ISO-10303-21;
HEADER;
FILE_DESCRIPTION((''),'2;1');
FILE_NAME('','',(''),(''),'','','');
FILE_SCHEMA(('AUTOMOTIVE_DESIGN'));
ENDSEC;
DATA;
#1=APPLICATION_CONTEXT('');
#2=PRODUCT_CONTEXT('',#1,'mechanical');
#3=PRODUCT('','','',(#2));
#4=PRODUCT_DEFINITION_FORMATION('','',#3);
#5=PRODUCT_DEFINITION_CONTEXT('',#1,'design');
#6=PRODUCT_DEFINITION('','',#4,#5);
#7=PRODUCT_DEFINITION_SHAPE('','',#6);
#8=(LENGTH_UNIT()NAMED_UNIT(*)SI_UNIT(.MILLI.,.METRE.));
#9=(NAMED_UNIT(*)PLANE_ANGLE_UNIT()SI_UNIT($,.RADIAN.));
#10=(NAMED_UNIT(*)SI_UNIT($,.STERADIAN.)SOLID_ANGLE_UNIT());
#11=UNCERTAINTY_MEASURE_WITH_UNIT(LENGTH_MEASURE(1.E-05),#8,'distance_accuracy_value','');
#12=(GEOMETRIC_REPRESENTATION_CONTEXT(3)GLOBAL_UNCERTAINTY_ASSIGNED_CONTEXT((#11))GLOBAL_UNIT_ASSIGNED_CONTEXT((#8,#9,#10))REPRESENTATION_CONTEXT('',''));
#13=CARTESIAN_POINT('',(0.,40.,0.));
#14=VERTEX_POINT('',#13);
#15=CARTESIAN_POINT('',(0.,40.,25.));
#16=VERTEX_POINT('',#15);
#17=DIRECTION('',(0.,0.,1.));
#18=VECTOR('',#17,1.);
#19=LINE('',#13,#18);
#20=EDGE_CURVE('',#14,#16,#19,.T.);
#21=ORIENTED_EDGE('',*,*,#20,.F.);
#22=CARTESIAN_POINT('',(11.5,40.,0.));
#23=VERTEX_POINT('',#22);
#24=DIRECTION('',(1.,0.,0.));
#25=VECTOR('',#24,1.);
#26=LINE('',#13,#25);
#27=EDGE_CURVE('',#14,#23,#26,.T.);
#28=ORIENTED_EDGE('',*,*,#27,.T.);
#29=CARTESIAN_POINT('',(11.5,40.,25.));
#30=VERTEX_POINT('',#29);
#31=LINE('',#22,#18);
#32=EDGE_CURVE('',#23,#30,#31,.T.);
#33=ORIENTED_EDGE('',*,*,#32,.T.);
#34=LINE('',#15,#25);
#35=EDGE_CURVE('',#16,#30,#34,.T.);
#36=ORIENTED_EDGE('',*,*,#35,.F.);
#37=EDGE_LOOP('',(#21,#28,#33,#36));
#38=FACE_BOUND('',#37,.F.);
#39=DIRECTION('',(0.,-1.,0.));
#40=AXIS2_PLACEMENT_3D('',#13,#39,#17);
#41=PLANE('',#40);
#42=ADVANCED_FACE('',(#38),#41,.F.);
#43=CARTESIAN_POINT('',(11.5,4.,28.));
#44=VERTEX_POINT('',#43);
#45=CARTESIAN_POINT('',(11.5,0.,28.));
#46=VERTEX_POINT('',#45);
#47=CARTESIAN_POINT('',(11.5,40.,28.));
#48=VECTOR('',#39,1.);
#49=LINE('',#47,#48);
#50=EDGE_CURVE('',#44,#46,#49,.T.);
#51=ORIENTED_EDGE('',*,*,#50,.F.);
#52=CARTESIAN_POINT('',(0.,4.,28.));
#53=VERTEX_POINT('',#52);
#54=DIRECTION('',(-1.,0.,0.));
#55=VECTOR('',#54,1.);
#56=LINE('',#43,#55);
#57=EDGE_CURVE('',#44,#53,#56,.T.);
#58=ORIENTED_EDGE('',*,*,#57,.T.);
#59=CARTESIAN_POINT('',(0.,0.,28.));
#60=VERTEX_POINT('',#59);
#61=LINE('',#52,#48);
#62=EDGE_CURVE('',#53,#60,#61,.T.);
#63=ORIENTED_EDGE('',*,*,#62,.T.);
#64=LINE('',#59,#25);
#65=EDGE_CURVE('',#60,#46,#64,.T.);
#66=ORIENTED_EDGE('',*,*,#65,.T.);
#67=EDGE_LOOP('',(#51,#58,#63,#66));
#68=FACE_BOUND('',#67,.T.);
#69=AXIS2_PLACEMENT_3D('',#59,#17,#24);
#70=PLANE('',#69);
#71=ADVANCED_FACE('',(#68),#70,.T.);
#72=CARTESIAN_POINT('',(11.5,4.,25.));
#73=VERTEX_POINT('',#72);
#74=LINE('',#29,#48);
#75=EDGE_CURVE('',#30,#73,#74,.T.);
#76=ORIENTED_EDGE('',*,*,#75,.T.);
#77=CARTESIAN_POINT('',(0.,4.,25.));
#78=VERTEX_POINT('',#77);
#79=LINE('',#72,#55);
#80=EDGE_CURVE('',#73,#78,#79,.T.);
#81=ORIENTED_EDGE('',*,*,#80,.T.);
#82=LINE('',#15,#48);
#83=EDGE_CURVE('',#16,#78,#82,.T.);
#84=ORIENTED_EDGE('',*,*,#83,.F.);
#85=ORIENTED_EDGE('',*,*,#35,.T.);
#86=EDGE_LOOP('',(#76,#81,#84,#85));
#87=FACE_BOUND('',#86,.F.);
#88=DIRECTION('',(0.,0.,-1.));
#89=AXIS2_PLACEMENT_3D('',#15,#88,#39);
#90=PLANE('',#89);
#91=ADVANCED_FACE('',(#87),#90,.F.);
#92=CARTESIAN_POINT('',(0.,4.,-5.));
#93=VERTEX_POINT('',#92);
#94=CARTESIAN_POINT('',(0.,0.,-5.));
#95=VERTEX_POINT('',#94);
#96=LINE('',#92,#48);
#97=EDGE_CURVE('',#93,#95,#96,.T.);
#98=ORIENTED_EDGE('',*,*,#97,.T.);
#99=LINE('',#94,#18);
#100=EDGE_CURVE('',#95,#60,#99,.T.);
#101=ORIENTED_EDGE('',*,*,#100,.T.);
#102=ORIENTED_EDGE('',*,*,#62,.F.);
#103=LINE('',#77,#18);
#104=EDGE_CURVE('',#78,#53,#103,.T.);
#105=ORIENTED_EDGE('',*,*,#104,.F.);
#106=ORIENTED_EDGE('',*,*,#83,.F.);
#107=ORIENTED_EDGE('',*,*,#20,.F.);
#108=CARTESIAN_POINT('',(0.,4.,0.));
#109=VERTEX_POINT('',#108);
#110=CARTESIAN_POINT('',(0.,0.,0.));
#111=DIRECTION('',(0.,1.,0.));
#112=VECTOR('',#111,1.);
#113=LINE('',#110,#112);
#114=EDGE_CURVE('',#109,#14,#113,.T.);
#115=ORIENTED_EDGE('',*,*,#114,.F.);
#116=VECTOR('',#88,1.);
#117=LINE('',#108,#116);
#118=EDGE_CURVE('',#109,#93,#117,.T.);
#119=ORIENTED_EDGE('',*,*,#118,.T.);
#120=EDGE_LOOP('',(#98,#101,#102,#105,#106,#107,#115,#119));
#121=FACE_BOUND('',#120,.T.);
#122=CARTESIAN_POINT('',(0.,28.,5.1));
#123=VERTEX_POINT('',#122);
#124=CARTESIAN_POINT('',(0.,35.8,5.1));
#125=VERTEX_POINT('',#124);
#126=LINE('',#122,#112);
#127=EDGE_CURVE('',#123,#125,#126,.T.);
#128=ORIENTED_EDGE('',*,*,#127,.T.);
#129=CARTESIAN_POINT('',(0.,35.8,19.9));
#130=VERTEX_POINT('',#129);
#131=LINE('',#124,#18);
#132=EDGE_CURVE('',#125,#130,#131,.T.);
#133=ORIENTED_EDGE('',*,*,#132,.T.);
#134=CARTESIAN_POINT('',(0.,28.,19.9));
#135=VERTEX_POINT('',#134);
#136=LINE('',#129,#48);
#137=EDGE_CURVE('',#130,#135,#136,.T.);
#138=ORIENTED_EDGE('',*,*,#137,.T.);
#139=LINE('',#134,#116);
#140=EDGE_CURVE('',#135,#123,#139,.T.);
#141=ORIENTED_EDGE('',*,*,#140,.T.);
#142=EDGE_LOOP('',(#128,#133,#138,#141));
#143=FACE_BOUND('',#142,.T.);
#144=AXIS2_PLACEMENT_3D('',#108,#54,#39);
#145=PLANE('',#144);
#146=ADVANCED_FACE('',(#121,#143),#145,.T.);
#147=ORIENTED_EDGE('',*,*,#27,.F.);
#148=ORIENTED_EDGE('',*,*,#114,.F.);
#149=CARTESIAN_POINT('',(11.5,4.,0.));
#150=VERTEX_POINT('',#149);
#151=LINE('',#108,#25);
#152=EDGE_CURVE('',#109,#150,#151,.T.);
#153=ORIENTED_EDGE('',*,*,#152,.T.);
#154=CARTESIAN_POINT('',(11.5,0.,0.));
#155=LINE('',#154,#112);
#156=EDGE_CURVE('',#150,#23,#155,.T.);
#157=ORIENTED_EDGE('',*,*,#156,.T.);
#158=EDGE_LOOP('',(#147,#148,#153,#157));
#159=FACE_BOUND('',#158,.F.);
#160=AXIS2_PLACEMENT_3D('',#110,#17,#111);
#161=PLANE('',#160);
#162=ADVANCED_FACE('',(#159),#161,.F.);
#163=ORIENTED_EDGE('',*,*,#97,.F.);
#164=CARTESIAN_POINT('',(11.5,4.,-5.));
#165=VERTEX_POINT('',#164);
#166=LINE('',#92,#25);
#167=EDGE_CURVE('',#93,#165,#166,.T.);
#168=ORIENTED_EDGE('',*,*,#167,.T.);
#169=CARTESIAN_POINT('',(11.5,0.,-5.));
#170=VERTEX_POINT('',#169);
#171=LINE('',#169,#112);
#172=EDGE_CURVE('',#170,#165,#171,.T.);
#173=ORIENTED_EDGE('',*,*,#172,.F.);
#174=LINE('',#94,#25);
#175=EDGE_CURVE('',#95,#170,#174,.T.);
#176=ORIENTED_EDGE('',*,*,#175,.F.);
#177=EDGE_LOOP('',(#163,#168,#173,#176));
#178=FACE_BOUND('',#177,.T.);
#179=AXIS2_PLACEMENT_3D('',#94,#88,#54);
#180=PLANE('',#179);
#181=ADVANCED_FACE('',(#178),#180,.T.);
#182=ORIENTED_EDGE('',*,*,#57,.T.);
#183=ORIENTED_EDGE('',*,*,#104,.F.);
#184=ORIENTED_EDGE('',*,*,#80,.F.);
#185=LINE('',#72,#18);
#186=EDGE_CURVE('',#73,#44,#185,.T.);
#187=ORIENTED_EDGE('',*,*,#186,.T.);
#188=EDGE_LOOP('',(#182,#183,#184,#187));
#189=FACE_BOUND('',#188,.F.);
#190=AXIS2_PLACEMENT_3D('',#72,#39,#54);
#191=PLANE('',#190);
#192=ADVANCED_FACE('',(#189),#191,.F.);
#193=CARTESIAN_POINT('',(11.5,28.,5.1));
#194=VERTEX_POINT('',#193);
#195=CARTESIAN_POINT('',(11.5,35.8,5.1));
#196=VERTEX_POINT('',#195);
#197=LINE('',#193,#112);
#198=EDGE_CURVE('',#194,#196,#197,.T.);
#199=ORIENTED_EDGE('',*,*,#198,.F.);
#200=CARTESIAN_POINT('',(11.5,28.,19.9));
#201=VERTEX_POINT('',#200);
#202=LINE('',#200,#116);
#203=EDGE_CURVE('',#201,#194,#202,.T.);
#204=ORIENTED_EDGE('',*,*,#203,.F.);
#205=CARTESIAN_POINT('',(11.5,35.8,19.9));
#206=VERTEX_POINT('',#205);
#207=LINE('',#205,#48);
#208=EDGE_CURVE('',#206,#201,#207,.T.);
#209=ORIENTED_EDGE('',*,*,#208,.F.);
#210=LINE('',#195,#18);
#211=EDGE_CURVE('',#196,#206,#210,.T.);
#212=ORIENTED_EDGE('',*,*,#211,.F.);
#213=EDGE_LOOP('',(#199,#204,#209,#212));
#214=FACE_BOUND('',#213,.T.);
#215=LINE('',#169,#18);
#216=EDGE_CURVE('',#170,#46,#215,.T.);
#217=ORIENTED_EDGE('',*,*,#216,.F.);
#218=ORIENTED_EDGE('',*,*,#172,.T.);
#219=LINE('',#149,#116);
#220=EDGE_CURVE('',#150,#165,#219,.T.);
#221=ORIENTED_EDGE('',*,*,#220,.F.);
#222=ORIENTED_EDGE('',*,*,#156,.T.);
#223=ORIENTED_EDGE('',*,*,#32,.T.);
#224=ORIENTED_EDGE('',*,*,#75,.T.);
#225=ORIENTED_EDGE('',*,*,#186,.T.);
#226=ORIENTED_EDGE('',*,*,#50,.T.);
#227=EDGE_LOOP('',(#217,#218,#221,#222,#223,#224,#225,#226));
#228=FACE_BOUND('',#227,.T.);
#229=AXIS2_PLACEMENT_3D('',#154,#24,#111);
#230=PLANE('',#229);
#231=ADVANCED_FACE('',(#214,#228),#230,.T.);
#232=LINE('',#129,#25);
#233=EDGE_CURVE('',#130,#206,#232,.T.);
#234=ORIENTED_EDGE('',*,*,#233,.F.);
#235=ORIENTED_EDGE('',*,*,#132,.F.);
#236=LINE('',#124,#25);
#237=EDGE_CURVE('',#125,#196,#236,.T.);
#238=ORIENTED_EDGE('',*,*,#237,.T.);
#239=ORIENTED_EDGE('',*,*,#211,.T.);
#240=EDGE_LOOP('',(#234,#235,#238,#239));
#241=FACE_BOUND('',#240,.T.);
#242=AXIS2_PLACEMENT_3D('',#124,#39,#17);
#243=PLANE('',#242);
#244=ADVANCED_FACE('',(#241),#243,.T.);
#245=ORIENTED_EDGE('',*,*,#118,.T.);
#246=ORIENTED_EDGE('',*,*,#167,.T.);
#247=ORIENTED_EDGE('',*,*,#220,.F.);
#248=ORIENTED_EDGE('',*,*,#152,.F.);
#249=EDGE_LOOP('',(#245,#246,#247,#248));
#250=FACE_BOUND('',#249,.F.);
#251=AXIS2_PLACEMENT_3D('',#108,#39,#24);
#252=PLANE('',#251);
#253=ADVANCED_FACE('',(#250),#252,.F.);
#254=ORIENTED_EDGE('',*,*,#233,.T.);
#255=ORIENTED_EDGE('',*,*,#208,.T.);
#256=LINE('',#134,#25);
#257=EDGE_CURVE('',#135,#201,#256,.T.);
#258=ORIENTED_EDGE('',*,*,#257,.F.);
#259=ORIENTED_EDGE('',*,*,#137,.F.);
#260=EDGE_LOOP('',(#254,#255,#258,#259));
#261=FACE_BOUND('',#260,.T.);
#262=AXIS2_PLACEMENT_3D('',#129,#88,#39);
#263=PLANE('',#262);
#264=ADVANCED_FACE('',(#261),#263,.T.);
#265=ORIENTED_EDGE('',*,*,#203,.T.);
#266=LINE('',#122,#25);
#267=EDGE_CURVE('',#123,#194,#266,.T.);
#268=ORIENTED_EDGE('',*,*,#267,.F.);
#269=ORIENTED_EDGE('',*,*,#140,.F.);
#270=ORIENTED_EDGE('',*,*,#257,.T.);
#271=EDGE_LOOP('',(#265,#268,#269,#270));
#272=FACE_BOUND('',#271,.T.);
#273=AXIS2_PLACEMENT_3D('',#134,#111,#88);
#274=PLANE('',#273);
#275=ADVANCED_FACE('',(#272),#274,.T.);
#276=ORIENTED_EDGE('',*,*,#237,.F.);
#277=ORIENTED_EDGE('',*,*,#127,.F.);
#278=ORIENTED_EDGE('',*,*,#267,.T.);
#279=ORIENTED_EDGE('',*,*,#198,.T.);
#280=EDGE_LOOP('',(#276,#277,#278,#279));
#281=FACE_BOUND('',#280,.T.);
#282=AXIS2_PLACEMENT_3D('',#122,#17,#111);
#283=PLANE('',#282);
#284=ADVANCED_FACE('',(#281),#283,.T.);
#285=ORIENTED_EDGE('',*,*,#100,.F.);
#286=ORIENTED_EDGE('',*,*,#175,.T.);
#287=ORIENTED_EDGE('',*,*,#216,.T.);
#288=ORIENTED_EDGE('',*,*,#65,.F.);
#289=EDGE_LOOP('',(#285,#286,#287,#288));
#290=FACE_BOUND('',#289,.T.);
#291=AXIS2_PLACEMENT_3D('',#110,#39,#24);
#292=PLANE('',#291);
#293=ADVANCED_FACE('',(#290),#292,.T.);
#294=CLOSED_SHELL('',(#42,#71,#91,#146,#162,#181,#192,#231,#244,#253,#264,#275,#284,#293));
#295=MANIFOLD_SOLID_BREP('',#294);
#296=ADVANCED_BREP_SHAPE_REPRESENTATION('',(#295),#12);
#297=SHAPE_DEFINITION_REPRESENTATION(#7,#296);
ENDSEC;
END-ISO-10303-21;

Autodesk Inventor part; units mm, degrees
ref_plane "YZ Plane" through (0, 0, 0) normal (1, 0, 0) x (0, 1, 0)
ref_plane "XZ Plane" through (0, 0, 0) normal (0, 1, 0) x (-1, 0, 0)
ref_plane "XY Plane" through (0, 0, 0) normal (0, 0, 1) x (1, 0, 0)
sketch "Sketch1" plane through (0, 0, 0) normal (1, 0, 0) x (0, 1, 0)
  line L0 (0, 0) -> (40, 0)
  line L1 (40, 0) -> (40, 25)
  line L2 (40, 25) -> (0, 25)
  line L3 (0, 25) -> (0, 0)
  line L4 (35.8, 19.9) -> (28, 19.9)
  line L5 (28, 19.9) -> (28, 5.1)
  line L6 (28, 5.1) -> (35.8, 5.1)
  line L7 (35.8, 5.1) -> (35.8, 19.9)
  dimension "d0" = 40
  dimension "d1" = 25
  dimension "d2" = 14.8
  dimension "d3" = 7.8
  dimension "d4" = 5.1
  dimension "d5" = 28
extrude "Extrusion1" add sketch "Sketch1" along normal blind 11.5
sketch "Sketch2" plane through (0, 0, 25) normal (0, 0, 1) x (1, 0, 0)
  line L0 (0, 0) -> (11.5, 0) projected
  line L1 (11.5, 40) -> (11.5, 0) projected
  line L2 (0, 0) -> (11.5, 0)
  line L3 (11.5, 0) -> (11.5, 4)
  line L4 (11.5, 4) -> (0, 4)
  line L5 (0, 4) -> (0, 0)
  dimension "d8" = 4
extrude "Extrusion2" add sketch "Sketch2" along normal blind 3
sketch "Sketch3" plane through (0, 0, 0) normal (0, 0, -1) x (-1, 0, 0)
  line L0 (0, 4) -> (-11.5, 4) projected
  line L1 (0, 4) -> (0, 0) projected
  line L2 (-11.5, 4) -> (0, 4)
  line L3 (0, 4) -> (0, 0)
  line L4 (0, 0) -> (-11.5, 0)
  line L5 (-11.5, 0) -> (-11.5, 4)
extrude "Extrusion3" add sketch "Sketch3" along normal blind 5
properties part number "SecondaryBracket"
